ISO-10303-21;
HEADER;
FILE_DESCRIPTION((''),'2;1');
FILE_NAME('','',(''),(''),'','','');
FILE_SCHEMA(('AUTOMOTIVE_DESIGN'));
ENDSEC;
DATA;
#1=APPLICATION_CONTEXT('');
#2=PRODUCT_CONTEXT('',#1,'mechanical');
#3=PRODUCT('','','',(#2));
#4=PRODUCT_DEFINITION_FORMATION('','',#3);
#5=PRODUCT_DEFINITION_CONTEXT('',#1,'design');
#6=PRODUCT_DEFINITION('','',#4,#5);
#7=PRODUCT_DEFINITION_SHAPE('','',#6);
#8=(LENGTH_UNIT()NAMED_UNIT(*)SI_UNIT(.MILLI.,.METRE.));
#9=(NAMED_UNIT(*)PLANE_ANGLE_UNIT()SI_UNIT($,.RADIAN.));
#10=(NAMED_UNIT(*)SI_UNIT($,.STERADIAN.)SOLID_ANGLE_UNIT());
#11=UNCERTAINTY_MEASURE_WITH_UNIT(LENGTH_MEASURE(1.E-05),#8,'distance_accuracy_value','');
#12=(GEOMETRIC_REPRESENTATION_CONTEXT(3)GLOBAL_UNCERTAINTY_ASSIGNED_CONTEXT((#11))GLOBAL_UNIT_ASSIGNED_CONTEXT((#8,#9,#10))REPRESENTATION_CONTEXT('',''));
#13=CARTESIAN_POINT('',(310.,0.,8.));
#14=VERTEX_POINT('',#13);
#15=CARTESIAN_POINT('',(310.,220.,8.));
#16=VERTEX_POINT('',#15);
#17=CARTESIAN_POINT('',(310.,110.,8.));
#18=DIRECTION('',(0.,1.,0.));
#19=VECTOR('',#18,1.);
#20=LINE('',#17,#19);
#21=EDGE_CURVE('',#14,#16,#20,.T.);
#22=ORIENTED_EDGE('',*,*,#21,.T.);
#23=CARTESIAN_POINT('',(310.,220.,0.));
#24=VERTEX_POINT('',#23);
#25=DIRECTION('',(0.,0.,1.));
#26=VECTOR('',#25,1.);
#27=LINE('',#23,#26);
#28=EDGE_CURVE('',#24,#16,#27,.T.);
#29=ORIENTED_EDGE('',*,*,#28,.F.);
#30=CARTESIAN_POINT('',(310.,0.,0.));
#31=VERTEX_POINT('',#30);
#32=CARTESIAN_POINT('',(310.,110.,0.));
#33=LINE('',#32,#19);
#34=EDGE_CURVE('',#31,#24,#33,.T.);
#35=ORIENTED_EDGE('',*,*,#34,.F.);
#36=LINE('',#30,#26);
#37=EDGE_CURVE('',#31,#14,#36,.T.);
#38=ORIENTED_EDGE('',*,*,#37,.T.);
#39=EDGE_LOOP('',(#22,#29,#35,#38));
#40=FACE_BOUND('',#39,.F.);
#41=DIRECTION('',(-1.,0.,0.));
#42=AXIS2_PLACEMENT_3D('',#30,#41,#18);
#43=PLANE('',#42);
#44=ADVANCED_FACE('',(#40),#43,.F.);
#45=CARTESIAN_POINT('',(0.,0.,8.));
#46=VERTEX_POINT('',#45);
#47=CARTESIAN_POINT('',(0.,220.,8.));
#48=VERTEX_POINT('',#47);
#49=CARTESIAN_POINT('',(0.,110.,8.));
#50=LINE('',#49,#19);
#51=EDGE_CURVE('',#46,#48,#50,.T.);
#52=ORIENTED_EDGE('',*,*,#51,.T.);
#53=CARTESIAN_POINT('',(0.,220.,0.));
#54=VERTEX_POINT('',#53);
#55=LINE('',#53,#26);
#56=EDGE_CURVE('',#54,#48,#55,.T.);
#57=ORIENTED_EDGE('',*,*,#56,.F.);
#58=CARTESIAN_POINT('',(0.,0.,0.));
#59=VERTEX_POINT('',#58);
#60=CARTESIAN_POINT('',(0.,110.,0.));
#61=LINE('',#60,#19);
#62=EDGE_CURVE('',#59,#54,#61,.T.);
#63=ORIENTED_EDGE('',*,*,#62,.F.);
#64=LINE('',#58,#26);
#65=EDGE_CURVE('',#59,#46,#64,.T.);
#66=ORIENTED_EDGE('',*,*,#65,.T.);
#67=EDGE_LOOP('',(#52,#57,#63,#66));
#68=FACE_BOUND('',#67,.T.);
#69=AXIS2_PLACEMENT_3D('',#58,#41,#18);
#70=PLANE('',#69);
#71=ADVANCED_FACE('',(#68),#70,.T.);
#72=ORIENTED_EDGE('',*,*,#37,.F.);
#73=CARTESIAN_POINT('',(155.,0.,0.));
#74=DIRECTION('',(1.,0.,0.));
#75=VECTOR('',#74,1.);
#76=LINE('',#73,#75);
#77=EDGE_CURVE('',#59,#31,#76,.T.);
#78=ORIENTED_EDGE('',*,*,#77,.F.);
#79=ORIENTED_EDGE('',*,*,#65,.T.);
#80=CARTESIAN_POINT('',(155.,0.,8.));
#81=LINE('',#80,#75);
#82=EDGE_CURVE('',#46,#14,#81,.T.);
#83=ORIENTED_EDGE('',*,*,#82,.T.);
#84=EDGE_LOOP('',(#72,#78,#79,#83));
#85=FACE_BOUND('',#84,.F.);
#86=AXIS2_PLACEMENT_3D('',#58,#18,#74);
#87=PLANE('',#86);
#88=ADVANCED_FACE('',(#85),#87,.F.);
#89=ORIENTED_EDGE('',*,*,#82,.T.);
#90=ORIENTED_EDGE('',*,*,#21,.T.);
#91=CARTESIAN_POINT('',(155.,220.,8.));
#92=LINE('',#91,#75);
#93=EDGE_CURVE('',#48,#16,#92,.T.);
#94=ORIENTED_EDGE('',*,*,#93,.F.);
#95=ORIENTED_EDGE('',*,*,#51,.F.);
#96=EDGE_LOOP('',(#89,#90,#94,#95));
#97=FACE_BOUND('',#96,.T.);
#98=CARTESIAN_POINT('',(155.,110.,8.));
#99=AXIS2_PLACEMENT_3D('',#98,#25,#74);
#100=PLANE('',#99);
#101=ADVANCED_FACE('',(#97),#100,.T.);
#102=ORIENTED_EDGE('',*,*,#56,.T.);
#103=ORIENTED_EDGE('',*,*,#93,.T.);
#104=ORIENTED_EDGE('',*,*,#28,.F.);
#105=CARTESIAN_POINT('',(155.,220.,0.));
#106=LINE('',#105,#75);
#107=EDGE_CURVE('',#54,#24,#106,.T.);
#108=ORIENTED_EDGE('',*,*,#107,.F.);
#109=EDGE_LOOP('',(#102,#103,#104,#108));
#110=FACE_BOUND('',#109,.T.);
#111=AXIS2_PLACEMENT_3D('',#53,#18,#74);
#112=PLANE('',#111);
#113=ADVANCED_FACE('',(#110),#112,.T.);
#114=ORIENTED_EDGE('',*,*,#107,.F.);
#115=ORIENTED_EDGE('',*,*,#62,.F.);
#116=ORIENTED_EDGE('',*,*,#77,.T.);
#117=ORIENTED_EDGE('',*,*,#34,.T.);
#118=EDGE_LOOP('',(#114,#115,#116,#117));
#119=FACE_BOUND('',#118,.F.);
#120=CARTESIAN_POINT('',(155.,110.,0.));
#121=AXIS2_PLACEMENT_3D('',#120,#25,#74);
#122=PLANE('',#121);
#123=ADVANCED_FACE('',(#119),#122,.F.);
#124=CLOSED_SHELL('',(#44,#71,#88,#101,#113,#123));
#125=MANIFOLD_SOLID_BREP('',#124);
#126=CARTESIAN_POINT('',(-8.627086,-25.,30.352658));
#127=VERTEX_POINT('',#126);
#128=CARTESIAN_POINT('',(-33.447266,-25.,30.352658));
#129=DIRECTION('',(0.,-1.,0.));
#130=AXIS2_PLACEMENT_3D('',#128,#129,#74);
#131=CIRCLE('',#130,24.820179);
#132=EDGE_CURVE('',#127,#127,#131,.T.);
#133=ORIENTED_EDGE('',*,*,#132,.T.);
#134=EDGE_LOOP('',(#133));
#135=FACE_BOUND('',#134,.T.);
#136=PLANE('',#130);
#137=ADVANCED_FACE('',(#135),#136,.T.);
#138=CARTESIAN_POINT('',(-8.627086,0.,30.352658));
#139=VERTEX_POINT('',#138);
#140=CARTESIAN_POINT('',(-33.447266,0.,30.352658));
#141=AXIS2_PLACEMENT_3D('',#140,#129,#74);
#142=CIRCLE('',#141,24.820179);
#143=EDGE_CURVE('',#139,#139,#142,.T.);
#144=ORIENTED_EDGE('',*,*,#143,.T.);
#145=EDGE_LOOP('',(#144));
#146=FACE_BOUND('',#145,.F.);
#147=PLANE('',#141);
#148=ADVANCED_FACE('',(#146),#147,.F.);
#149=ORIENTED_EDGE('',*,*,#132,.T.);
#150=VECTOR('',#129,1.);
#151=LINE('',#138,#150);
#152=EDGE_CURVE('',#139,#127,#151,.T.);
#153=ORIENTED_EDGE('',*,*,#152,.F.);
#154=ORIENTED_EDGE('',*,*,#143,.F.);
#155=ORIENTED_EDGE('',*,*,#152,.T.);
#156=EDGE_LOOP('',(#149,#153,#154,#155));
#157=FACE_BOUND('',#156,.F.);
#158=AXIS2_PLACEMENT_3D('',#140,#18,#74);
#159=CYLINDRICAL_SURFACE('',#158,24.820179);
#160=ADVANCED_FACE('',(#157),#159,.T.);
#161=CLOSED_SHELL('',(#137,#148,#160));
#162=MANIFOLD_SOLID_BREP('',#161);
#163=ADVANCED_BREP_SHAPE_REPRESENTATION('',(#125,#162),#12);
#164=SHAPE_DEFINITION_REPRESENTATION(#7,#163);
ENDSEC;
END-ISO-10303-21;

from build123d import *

# Parameters (mm, degrees)
F0_W     = 310
F0_H     = 220
F1_DEPTH = 8
F2_R     = 24.8201791444
F3_DEPTH = 25


with BuildPart() as f1:
    # F0 (on Top) → F1 (new body)
    with BuildSketch(Plane.XY):
        with Locations((155, 110)):
            Rectangle(F0_W, F0_H)
    extrude(amount=F1_DEPTH)


with BuildPart() as f3:
    # F2 (on Front) → F3 (new body)
    with BuildSketch(Plane.XZ):
        with Locations((-33.447265625, 30.3526576608)):
            Circle(F2_R)
    extrude(amount=F3_DEPTH)


solid = Compound([f1.part, f3.part])
